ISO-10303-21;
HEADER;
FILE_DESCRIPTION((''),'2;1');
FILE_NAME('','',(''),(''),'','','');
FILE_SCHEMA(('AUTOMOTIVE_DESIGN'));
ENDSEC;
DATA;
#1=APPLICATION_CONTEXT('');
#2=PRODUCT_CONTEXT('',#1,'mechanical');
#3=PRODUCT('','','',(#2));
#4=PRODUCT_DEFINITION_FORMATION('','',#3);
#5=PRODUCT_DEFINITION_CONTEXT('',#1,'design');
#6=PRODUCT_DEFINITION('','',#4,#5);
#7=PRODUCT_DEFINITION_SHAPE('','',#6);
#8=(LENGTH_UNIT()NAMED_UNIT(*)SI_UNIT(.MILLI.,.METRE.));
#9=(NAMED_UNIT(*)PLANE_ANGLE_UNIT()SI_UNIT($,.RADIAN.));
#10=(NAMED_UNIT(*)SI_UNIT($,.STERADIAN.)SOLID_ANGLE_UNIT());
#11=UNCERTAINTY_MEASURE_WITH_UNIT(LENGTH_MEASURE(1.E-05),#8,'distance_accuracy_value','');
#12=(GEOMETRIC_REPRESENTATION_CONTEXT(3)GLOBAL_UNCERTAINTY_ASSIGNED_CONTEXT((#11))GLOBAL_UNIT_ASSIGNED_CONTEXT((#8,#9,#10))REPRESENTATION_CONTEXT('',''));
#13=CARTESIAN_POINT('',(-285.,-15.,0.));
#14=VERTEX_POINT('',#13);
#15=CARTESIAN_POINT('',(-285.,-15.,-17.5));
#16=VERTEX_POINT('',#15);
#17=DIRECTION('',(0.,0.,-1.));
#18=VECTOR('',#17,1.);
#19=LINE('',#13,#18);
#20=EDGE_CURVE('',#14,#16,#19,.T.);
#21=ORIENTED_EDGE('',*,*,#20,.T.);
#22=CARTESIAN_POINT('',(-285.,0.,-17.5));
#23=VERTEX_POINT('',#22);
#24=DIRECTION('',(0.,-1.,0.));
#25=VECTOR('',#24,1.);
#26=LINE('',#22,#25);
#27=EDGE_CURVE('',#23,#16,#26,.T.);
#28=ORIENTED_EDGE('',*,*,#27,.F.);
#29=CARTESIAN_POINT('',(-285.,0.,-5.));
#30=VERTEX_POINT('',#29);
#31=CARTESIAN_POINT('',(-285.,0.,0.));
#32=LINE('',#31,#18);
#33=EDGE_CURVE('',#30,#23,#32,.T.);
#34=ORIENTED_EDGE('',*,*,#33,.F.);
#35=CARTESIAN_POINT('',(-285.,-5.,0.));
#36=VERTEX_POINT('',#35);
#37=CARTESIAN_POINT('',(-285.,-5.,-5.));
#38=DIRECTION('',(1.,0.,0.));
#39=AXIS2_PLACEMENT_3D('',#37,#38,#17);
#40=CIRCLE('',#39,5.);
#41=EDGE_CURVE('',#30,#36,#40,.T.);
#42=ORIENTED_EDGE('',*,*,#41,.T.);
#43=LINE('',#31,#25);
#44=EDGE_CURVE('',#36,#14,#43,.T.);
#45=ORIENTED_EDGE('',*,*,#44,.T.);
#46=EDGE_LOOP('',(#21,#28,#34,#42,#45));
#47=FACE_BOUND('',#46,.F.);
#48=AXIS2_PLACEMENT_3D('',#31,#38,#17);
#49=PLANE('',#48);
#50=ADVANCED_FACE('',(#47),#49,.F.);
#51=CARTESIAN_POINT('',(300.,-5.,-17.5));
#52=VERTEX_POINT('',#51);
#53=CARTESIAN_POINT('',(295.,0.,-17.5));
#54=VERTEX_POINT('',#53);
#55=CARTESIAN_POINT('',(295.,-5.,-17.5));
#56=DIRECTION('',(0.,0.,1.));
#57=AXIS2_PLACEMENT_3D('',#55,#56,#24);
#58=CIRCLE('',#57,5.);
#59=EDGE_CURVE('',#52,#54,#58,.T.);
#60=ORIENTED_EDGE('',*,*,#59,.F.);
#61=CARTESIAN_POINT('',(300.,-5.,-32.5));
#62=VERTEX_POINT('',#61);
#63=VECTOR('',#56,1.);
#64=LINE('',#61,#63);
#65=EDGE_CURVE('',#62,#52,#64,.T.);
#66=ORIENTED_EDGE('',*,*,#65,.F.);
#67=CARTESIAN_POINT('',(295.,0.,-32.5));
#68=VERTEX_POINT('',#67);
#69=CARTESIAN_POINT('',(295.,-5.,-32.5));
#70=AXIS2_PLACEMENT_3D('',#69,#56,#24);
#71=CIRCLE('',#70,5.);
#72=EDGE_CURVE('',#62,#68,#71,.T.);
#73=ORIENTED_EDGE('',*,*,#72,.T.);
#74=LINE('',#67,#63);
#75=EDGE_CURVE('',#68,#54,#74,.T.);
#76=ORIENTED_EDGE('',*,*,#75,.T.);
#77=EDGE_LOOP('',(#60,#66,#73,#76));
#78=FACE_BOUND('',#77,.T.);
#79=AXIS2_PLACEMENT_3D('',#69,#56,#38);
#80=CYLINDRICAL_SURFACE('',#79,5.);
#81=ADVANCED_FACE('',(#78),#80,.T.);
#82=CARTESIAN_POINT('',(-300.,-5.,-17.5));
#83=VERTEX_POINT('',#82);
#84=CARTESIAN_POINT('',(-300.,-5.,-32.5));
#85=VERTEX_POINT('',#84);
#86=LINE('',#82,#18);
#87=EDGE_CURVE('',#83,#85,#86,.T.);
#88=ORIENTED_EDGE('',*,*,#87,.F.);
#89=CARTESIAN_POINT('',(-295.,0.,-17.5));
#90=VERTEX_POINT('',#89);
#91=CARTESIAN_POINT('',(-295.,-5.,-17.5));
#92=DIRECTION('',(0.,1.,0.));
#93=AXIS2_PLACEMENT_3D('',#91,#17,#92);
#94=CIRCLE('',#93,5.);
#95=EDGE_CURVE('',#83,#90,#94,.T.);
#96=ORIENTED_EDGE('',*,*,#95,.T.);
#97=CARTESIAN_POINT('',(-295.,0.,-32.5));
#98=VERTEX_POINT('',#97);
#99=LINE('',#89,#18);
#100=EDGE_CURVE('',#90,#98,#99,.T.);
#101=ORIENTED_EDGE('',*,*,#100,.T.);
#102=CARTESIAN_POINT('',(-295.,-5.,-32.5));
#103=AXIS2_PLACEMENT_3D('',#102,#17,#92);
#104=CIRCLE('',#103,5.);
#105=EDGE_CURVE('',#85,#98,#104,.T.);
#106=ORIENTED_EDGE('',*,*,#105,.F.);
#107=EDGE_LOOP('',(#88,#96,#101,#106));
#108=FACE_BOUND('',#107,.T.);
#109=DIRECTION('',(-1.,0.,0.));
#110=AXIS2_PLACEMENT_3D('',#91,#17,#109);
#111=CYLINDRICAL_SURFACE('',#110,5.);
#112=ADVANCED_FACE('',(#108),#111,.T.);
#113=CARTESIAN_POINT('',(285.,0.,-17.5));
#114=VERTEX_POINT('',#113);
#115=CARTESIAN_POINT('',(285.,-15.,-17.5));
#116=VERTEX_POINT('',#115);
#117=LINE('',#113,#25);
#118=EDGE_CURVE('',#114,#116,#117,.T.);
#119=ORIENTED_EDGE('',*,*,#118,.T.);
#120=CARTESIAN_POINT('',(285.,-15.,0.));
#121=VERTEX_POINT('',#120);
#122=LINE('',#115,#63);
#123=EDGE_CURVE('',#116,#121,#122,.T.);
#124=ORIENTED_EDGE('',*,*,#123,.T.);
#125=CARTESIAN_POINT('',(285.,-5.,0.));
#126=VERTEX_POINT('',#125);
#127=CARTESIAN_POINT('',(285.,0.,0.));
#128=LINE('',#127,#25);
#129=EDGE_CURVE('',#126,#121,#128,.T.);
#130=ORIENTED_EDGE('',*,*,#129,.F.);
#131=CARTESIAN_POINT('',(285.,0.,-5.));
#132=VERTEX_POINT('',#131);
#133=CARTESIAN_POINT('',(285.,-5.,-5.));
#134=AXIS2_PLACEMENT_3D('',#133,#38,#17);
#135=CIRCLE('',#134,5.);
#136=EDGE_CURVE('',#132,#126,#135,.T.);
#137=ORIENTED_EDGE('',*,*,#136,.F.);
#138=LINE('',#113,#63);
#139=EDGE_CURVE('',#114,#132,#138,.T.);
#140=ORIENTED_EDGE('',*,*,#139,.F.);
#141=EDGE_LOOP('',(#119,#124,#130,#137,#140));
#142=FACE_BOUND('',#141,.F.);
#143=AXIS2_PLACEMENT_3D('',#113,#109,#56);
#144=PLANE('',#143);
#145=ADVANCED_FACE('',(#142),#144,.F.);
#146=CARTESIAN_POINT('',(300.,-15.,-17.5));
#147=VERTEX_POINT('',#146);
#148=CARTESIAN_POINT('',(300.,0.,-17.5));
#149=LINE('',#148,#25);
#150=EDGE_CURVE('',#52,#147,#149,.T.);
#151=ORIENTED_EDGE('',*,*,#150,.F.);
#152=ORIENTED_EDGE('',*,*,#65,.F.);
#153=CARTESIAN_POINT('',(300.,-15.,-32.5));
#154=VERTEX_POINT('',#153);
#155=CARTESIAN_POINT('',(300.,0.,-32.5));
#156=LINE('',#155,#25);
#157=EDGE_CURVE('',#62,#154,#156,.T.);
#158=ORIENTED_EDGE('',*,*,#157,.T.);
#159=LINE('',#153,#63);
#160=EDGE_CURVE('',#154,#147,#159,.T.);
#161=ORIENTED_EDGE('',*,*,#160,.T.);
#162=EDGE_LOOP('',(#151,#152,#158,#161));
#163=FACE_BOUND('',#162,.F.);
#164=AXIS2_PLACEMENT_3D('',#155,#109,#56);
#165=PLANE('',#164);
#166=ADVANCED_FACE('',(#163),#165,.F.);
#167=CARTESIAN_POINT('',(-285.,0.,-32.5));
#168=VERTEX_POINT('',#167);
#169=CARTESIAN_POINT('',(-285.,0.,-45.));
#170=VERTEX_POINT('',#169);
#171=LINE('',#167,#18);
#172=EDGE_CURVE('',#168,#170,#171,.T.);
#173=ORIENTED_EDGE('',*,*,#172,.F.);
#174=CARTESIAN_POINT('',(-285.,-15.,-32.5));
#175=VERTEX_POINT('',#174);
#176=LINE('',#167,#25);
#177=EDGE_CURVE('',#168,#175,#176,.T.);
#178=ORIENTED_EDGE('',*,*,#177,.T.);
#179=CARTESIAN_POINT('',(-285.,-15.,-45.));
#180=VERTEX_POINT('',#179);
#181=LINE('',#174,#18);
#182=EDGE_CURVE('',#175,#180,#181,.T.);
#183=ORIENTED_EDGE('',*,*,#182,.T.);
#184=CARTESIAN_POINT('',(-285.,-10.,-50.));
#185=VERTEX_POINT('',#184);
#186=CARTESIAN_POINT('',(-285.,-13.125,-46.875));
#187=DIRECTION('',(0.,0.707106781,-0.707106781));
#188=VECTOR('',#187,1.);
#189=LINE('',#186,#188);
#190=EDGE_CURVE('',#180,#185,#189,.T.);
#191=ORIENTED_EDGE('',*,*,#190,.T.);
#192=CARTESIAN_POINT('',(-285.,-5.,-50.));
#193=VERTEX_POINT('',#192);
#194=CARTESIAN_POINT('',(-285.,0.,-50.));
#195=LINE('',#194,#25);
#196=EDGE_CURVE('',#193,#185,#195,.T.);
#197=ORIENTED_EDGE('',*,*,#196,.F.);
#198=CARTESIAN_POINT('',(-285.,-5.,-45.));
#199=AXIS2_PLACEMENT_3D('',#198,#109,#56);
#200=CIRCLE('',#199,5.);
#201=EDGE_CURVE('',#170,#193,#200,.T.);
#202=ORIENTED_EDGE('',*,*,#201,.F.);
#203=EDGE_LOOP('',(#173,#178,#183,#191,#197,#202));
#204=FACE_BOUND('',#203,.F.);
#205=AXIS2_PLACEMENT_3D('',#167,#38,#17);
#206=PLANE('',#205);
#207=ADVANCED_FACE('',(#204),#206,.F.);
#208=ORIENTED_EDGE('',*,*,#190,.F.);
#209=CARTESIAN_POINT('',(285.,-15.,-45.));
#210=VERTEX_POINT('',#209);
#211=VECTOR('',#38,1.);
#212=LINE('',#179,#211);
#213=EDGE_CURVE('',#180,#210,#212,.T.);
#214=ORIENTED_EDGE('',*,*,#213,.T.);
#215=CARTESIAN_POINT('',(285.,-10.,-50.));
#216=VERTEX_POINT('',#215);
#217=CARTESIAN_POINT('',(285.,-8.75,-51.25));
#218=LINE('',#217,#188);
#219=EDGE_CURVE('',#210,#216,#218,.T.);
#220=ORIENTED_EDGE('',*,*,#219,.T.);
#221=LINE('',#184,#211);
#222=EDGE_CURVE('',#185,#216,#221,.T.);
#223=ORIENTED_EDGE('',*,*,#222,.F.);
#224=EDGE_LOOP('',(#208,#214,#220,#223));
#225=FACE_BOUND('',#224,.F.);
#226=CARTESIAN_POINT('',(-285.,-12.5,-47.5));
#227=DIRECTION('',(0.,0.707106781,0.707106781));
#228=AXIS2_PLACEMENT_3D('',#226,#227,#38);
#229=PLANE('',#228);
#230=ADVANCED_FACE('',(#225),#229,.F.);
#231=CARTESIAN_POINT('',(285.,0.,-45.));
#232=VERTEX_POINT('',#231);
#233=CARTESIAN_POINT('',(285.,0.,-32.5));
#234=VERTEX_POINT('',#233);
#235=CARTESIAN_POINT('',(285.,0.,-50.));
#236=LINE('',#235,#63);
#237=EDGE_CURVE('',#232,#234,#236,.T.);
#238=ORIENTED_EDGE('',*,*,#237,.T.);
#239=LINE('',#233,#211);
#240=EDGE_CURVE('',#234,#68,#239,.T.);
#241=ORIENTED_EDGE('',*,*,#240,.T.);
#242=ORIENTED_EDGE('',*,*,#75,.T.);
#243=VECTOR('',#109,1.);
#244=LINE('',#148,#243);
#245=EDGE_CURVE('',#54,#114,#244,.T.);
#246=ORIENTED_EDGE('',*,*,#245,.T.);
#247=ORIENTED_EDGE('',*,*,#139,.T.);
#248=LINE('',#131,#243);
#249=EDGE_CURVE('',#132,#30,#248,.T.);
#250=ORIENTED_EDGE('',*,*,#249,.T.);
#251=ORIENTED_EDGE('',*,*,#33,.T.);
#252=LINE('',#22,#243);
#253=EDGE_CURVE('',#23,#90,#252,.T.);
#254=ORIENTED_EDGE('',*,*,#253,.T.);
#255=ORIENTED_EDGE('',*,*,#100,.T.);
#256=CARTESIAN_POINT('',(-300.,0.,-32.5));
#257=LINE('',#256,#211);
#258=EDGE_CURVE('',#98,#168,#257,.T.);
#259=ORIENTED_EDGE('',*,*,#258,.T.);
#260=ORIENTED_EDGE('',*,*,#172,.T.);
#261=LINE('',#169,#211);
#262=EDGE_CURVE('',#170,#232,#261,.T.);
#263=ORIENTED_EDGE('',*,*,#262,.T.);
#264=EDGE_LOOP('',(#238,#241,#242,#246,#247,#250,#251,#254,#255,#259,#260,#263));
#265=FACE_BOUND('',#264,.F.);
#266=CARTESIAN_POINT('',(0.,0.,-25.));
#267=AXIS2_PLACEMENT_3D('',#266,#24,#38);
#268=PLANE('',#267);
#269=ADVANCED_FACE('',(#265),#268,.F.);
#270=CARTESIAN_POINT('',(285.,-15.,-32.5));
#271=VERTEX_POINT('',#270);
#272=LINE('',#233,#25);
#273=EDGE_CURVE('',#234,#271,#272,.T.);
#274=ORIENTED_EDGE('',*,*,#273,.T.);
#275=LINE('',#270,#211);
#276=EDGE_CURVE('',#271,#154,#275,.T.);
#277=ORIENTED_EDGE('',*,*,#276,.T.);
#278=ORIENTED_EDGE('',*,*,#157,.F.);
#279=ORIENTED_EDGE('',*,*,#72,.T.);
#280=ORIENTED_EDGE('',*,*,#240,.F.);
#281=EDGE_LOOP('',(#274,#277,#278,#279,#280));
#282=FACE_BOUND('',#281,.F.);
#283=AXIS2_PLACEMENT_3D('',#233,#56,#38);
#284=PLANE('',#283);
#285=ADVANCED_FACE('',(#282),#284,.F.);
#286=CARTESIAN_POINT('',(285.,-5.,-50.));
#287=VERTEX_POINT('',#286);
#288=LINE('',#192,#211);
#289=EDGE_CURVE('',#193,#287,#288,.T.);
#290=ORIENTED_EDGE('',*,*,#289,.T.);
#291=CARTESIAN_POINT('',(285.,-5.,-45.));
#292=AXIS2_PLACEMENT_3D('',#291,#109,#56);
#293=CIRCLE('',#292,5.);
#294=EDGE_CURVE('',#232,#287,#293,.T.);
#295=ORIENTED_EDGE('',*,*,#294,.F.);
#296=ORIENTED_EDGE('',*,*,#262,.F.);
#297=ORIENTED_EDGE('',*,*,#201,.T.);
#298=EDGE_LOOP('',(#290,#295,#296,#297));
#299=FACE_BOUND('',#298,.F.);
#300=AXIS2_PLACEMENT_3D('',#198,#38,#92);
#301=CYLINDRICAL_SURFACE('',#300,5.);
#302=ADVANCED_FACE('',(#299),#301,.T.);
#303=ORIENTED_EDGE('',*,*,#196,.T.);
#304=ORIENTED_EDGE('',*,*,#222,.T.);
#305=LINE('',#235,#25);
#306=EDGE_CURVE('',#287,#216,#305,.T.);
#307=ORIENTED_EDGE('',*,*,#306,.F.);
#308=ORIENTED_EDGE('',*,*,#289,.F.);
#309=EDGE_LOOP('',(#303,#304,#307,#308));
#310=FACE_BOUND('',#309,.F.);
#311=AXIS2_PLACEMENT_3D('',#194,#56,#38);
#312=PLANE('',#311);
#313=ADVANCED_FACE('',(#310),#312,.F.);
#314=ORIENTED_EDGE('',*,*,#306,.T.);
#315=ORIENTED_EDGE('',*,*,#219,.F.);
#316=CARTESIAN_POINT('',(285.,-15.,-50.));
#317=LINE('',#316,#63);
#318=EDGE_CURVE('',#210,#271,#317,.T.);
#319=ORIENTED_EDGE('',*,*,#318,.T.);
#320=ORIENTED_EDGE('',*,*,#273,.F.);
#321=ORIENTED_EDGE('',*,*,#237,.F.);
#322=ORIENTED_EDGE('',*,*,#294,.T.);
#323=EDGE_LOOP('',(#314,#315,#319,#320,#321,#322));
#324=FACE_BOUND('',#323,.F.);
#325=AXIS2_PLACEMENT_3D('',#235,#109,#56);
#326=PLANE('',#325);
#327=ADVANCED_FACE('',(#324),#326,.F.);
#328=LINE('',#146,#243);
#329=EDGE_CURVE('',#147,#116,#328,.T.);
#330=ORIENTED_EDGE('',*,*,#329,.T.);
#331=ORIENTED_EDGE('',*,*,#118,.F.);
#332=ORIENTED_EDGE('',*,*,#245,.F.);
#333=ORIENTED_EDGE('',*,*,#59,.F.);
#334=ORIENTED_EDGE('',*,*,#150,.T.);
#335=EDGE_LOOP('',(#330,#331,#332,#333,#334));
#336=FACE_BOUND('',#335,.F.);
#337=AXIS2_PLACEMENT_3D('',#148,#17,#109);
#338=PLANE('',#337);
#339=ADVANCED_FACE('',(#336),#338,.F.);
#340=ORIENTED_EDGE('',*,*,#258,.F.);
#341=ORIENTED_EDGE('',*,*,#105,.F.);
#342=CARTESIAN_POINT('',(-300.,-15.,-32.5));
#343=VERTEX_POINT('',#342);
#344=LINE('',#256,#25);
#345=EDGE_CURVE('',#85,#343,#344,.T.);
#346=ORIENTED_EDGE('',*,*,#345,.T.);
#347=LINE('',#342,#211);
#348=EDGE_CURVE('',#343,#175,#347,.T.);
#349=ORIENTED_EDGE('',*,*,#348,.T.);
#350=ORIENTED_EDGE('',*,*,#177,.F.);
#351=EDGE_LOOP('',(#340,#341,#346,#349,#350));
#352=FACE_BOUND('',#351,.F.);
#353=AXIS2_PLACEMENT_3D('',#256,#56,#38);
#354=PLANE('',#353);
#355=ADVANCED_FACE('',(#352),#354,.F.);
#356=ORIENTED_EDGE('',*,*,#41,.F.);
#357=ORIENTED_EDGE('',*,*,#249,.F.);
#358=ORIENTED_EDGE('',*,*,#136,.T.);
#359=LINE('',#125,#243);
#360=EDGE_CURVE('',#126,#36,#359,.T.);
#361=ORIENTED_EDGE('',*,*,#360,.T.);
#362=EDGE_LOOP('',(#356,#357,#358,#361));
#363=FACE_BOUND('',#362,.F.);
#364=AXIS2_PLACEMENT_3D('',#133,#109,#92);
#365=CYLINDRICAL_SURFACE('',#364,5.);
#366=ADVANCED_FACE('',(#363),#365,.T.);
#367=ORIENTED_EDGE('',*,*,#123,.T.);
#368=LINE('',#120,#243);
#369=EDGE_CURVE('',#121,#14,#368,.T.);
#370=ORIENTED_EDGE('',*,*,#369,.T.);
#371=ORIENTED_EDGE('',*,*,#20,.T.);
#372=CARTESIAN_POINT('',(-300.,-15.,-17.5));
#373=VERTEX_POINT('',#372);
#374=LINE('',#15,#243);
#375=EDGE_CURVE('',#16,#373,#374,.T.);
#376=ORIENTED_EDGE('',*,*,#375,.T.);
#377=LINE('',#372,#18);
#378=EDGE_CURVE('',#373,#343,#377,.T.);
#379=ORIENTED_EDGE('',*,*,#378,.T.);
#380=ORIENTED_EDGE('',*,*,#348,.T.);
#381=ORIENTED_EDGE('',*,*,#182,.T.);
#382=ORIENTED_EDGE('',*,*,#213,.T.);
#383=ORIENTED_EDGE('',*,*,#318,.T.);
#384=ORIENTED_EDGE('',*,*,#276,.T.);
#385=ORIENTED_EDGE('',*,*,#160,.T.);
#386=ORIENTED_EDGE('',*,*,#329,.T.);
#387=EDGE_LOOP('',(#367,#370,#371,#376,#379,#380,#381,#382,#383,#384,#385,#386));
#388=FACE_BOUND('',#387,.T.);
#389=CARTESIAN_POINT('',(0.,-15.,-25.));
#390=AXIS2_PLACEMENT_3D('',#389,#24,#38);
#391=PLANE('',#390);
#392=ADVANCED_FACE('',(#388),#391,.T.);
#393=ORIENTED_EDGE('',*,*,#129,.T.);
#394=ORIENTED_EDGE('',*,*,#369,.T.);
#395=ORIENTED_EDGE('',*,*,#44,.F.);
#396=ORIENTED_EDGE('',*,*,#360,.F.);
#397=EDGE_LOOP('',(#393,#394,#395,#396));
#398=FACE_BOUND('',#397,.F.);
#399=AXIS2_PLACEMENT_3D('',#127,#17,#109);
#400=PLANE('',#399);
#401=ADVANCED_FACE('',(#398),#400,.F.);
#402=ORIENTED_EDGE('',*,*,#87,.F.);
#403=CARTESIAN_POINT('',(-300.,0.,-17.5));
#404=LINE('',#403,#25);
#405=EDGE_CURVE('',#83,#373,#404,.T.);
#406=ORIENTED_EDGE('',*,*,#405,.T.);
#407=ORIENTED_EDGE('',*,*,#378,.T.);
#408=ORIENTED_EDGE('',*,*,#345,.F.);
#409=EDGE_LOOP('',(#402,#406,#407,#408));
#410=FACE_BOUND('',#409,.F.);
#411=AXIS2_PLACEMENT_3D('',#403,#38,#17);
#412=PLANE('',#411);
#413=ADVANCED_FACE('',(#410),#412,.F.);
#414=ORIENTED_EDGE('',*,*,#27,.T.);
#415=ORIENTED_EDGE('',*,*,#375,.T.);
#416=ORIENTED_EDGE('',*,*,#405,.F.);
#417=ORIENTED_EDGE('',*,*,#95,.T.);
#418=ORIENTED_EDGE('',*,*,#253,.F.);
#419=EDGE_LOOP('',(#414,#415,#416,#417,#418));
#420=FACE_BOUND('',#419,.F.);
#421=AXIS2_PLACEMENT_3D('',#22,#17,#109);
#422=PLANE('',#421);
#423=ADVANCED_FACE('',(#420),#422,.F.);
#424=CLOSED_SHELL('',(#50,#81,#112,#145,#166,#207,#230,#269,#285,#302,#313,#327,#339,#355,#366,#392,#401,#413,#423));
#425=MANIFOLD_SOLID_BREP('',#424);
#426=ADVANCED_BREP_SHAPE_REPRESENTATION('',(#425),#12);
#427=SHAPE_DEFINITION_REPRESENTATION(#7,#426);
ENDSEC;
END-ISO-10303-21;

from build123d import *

# Parameters (mm, degrees)
F1_DEPTH = 15
F2_R     = 5
F3_R     = 5
F4_SIZE  = 5


with BuildPart() as f1:
    # F0 (on Front) → F1 (new body)
    with BuildSketch(Plane.XZ):
        Polygon((285, 0), (0, 0), (-285, 0), (-285, -17.5), (-300, -17.5), (-300, -32.5), (-285, -32.5), (-285, -50), (0, -50), (285, -50), (285, -32.5), (300, -32.5), (300, -17.5), (285, -17.5), align=None)
    extrude(amount=F1_DEPTH)

    # F2
    f2_edges = [f1.edges().sort_by_distance(p)[0] for p in [
        (300, 0, -25),
        (-300, 0, -25),
    ]]
    fillet(f2_edges, radius=F2_R)

    # F3
    f3_edges = [f1.edges().sort_by_distance(p)[0] for p in [
        (0, 0, 0),
        (0, 0, -50),
    ]]
    fillet(f3_edges, radius=F3_R)

    # F4
    f4_edges = [f1.edges().sort_by_distance(p)[0] for p in [
        (0, -15, -50),
    ]]
    chamfer(f4_edges, length=F4_SIZE)


solid = f1.part
